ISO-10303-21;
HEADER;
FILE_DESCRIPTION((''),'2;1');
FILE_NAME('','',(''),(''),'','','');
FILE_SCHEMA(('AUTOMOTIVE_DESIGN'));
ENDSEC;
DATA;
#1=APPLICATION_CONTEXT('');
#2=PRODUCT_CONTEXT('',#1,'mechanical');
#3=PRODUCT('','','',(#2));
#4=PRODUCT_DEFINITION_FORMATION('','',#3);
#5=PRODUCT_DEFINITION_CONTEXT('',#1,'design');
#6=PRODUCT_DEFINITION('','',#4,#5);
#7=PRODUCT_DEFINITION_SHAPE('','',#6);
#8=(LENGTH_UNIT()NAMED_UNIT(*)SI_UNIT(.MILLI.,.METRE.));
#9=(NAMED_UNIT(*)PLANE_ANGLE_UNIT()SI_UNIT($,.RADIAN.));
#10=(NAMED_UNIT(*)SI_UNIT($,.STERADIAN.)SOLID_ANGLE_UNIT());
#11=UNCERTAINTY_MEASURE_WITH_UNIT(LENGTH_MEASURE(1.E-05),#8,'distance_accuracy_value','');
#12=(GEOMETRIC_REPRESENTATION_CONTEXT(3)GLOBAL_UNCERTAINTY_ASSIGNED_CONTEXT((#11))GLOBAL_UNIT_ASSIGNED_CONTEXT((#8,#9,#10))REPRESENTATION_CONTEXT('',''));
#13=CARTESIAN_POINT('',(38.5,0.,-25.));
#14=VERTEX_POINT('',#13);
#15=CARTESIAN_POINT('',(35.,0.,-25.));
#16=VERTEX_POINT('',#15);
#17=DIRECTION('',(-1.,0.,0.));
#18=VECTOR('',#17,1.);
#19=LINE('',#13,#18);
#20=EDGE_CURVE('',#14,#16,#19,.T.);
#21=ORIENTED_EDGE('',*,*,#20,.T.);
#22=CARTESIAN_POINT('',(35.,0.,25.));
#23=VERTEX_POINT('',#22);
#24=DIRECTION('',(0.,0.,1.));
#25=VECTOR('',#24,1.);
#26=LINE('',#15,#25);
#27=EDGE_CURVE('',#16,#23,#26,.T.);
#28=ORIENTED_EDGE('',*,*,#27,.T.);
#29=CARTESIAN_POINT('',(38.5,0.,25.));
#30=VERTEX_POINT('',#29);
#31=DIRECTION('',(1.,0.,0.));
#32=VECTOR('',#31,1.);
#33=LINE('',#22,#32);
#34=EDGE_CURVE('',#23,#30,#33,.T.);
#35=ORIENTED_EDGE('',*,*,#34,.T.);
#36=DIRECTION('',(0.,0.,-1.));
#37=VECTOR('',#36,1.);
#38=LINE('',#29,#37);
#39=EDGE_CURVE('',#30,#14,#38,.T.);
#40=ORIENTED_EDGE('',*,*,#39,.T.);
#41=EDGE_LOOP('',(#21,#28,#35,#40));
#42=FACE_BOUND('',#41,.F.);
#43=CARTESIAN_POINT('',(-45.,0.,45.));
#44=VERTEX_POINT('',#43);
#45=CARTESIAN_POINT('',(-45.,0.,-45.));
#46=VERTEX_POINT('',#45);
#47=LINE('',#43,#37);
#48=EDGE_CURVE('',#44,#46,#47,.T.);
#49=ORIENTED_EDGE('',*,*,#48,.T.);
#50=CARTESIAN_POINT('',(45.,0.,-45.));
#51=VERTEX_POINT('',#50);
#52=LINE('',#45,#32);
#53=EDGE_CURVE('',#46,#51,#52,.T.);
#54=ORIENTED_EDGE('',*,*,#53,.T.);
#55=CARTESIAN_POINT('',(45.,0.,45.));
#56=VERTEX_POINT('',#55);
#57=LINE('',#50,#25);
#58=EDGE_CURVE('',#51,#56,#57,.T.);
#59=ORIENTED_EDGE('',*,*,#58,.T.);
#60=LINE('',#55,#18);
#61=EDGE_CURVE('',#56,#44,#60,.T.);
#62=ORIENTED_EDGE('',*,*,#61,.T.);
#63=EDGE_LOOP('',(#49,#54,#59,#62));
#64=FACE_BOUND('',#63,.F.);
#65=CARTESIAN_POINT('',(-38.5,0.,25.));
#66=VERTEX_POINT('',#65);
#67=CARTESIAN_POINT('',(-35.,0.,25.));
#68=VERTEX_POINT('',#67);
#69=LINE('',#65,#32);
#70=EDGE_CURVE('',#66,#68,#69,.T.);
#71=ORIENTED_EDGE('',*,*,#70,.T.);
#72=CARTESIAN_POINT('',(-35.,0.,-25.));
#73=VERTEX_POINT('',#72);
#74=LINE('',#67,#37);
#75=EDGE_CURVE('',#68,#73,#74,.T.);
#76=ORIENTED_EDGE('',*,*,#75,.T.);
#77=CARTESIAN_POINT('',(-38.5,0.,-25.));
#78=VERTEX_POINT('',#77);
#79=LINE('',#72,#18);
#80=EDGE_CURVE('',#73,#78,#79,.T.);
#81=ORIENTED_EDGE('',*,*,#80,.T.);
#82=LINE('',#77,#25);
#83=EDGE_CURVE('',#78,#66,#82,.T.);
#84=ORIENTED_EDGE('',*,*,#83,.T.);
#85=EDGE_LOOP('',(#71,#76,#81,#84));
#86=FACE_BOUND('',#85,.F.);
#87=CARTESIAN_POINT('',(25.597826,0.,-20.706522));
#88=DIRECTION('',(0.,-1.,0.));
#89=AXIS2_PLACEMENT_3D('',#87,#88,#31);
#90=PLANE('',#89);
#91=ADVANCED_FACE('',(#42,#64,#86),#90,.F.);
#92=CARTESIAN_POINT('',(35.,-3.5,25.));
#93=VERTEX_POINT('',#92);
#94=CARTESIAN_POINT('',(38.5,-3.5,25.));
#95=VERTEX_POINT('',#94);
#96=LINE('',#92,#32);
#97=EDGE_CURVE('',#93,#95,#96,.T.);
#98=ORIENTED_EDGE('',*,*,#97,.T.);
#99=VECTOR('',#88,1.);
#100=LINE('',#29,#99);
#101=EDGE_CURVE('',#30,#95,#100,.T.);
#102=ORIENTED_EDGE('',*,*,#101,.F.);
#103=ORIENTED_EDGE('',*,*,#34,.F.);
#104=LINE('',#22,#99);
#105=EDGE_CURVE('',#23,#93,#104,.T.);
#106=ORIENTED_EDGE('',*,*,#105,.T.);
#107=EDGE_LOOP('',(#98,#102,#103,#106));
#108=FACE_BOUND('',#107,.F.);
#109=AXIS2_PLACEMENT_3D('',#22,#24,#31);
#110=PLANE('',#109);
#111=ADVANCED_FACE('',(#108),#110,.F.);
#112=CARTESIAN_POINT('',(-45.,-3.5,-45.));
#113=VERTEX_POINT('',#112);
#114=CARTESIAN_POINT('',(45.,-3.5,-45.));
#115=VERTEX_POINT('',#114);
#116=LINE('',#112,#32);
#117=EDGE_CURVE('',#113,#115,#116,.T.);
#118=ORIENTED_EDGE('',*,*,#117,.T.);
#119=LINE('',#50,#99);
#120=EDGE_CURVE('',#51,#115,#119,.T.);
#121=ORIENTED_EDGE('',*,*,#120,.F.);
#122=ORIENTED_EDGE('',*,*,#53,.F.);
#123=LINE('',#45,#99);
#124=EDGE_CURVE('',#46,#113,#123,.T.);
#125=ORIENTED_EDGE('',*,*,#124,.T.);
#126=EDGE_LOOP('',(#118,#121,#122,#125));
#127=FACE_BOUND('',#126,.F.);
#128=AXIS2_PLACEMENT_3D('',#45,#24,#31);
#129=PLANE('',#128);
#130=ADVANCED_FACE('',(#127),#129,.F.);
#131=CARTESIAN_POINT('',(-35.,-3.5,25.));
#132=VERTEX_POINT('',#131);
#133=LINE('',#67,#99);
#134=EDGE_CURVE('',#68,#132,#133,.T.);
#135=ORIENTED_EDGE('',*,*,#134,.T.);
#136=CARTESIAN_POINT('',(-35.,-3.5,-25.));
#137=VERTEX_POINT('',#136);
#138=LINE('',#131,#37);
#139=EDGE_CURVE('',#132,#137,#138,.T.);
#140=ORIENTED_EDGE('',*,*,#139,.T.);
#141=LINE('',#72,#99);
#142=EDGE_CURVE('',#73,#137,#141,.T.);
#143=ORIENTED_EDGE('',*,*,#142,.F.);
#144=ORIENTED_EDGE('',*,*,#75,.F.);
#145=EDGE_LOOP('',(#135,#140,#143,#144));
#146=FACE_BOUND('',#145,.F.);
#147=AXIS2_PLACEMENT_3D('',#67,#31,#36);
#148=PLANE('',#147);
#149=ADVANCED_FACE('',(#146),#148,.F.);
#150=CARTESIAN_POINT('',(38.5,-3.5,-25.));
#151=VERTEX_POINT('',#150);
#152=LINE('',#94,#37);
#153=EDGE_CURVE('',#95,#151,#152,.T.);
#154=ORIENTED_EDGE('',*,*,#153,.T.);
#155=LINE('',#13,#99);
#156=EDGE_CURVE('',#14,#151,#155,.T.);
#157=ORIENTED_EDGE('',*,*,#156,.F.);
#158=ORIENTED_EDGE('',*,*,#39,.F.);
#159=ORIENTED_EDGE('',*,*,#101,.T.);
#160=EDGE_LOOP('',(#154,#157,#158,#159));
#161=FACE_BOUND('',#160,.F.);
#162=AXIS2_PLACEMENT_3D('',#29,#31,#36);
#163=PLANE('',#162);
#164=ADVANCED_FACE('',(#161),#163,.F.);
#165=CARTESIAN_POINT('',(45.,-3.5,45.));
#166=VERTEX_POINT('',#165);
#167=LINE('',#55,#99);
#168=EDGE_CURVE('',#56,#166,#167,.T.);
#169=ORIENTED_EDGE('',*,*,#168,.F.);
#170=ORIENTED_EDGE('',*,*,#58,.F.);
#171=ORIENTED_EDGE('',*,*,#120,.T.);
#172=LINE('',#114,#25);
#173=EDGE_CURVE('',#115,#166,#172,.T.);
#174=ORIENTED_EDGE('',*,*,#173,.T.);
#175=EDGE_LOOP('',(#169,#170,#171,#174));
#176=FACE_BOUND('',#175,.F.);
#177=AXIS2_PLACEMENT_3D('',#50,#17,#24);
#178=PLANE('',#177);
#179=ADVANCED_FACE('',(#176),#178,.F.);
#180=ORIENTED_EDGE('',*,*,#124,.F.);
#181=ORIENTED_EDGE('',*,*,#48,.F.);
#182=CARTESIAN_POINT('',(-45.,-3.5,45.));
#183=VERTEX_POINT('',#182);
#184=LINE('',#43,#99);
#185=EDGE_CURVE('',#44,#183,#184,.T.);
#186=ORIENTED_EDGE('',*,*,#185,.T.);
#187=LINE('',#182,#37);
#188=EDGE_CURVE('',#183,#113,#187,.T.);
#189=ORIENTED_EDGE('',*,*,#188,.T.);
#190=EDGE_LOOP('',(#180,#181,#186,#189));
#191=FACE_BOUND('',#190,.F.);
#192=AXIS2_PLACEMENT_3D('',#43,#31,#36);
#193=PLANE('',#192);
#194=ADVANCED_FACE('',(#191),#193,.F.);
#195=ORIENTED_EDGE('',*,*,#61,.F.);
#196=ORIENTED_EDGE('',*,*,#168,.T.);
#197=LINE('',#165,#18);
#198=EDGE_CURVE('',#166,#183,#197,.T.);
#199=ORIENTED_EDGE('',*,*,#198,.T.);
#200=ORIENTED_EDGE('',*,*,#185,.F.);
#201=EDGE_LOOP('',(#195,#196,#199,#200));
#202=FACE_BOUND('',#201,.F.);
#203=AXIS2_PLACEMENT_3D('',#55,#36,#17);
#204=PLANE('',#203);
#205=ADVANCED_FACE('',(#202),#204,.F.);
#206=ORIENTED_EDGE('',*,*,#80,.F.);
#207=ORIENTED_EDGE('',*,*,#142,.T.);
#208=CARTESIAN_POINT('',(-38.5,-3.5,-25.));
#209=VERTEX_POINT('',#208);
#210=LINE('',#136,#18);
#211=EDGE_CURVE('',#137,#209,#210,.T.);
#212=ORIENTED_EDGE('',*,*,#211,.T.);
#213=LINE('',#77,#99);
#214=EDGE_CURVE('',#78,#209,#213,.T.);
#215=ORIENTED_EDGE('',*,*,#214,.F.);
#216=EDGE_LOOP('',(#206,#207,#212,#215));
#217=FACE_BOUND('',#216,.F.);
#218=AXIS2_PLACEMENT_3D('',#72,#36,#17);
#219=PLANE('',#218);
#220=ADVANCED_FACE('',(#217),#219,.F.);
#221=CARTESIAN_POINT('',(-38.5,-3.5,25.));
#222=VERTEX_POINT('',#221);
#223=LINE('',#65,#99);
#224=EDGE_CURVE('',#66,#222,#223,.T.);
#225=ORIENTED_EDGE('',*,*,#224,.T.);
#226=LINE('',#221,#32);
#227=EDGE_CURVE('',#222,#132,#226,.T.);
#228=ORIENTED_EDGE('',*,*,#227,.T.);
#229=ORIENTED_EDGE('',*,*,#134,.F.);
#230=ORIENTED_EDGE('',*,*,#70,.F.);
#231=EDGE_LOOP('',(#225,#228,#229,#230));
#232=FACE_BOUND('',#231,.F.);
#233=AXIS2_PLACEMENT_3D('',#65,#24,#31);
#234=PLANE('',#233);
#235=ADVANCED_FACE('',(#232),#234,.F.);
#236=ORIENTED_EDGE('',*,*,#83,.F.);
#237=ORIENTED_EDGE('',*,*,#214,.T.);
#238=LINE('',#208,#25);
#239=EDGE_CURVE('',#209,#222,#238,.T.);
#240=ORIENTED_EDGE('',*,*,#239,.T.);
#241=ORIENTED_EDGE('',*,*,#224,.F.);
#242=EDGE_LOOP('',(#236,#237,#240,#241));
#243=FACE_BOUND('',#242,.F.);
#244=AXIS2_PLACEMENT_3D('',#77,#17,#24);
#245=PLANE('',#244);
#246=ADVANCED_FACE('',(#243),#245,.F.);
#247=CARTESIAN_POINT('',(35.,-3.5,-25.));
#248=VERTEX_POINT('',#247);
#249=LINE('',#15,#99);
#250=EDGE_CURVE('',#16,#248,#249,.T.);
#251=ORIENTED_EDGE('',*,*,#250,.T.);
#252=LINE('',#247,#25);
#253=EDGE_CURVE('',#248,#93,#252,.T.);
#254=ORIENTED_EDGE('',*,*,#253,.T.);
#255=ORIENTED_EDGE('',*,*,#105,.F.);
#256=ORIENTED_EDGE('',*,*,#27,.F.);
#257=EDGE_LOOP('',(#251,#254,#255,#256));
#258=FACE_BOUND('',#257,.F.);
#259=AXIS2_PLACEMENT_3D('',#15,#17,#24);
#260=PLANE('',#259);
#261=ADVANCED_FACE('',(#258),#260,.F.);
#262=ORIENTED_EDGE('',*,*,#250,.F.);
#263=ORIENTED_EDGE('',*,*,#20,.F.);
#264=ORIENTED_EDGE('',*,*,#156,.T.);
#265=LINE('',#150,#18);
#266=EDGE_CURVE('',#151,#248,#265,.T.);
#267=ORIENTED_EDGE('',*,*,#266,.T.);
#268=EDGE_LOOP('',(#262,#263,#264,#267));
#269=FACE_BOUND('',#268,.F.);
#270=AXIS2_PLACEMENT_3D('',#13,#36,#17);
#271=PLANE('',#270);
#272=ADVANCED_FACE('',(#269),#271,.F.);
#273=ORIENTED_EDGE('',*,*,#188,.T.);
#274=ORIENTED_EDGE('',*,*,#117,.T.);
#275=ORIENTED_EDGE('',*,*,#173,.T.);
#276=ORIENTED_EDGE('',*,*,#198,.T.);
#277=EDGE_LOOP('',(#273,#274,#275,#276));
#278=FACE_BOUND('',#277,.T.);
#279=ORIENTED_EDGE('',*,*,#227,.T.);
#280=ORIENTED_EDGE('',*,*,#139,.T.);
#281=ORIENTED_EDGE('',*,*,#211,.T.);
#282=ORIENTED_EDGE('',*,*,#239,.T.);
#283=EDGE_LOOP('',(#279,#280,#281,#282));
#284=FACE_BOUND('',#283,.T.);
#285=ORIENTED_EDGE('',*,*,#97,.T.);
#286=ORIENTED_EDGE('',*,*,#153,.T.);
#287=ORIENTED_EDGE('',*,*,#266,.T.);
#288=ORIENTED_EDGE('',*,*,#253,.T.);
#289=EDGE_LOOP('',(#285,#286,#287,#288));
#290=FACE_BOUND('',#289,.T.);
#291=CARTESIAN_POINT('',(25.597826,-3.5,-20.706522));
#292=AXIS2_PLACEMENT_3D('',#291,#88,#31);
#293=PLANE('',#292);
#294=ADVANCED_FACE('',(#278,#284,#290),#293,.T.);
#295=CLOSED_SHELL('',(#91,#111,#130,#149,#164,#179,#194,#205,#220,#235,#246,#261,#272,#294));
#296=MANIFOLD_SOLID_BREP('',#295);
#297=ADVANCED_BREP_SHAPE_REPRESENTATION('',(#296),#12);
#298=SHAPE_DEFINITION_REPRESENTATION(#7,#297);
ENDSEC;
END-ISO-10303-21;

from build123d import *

# Parameters (mm, degrees)
F1_DEPTH = 3.5


with BuildPart() as f1:
    # F0 (on Front) → F1 (new body)
    with BuildSketch(Plane.XZ):
        Polygon((35, 0), (0, 0), (0, -45), (45, -45), (45, 0), (38.5, 0), (38.5, -25), (35, -25), align=None)
        Polygon((0, 45), (0, 0), (35, 0), (35, 25), (38.5, 25), (38.5, 0), (45, 0), (45, 45), align=None)
        Polygon((-35, 0), (0, 0), (0, 45), (-45, 45), (-45, 0), (-38.5, 0), (-38.5, 25), (-35, 25), align=None)
        Polygon((0, -45), (0, 0), (-35, 0), (-35, -25), (-38.5, -25), (-38.5, 0), (-45, 0), (-45, -45), align=None)
    extrude(amount=F1_DEPTH)


solid = f1.part
